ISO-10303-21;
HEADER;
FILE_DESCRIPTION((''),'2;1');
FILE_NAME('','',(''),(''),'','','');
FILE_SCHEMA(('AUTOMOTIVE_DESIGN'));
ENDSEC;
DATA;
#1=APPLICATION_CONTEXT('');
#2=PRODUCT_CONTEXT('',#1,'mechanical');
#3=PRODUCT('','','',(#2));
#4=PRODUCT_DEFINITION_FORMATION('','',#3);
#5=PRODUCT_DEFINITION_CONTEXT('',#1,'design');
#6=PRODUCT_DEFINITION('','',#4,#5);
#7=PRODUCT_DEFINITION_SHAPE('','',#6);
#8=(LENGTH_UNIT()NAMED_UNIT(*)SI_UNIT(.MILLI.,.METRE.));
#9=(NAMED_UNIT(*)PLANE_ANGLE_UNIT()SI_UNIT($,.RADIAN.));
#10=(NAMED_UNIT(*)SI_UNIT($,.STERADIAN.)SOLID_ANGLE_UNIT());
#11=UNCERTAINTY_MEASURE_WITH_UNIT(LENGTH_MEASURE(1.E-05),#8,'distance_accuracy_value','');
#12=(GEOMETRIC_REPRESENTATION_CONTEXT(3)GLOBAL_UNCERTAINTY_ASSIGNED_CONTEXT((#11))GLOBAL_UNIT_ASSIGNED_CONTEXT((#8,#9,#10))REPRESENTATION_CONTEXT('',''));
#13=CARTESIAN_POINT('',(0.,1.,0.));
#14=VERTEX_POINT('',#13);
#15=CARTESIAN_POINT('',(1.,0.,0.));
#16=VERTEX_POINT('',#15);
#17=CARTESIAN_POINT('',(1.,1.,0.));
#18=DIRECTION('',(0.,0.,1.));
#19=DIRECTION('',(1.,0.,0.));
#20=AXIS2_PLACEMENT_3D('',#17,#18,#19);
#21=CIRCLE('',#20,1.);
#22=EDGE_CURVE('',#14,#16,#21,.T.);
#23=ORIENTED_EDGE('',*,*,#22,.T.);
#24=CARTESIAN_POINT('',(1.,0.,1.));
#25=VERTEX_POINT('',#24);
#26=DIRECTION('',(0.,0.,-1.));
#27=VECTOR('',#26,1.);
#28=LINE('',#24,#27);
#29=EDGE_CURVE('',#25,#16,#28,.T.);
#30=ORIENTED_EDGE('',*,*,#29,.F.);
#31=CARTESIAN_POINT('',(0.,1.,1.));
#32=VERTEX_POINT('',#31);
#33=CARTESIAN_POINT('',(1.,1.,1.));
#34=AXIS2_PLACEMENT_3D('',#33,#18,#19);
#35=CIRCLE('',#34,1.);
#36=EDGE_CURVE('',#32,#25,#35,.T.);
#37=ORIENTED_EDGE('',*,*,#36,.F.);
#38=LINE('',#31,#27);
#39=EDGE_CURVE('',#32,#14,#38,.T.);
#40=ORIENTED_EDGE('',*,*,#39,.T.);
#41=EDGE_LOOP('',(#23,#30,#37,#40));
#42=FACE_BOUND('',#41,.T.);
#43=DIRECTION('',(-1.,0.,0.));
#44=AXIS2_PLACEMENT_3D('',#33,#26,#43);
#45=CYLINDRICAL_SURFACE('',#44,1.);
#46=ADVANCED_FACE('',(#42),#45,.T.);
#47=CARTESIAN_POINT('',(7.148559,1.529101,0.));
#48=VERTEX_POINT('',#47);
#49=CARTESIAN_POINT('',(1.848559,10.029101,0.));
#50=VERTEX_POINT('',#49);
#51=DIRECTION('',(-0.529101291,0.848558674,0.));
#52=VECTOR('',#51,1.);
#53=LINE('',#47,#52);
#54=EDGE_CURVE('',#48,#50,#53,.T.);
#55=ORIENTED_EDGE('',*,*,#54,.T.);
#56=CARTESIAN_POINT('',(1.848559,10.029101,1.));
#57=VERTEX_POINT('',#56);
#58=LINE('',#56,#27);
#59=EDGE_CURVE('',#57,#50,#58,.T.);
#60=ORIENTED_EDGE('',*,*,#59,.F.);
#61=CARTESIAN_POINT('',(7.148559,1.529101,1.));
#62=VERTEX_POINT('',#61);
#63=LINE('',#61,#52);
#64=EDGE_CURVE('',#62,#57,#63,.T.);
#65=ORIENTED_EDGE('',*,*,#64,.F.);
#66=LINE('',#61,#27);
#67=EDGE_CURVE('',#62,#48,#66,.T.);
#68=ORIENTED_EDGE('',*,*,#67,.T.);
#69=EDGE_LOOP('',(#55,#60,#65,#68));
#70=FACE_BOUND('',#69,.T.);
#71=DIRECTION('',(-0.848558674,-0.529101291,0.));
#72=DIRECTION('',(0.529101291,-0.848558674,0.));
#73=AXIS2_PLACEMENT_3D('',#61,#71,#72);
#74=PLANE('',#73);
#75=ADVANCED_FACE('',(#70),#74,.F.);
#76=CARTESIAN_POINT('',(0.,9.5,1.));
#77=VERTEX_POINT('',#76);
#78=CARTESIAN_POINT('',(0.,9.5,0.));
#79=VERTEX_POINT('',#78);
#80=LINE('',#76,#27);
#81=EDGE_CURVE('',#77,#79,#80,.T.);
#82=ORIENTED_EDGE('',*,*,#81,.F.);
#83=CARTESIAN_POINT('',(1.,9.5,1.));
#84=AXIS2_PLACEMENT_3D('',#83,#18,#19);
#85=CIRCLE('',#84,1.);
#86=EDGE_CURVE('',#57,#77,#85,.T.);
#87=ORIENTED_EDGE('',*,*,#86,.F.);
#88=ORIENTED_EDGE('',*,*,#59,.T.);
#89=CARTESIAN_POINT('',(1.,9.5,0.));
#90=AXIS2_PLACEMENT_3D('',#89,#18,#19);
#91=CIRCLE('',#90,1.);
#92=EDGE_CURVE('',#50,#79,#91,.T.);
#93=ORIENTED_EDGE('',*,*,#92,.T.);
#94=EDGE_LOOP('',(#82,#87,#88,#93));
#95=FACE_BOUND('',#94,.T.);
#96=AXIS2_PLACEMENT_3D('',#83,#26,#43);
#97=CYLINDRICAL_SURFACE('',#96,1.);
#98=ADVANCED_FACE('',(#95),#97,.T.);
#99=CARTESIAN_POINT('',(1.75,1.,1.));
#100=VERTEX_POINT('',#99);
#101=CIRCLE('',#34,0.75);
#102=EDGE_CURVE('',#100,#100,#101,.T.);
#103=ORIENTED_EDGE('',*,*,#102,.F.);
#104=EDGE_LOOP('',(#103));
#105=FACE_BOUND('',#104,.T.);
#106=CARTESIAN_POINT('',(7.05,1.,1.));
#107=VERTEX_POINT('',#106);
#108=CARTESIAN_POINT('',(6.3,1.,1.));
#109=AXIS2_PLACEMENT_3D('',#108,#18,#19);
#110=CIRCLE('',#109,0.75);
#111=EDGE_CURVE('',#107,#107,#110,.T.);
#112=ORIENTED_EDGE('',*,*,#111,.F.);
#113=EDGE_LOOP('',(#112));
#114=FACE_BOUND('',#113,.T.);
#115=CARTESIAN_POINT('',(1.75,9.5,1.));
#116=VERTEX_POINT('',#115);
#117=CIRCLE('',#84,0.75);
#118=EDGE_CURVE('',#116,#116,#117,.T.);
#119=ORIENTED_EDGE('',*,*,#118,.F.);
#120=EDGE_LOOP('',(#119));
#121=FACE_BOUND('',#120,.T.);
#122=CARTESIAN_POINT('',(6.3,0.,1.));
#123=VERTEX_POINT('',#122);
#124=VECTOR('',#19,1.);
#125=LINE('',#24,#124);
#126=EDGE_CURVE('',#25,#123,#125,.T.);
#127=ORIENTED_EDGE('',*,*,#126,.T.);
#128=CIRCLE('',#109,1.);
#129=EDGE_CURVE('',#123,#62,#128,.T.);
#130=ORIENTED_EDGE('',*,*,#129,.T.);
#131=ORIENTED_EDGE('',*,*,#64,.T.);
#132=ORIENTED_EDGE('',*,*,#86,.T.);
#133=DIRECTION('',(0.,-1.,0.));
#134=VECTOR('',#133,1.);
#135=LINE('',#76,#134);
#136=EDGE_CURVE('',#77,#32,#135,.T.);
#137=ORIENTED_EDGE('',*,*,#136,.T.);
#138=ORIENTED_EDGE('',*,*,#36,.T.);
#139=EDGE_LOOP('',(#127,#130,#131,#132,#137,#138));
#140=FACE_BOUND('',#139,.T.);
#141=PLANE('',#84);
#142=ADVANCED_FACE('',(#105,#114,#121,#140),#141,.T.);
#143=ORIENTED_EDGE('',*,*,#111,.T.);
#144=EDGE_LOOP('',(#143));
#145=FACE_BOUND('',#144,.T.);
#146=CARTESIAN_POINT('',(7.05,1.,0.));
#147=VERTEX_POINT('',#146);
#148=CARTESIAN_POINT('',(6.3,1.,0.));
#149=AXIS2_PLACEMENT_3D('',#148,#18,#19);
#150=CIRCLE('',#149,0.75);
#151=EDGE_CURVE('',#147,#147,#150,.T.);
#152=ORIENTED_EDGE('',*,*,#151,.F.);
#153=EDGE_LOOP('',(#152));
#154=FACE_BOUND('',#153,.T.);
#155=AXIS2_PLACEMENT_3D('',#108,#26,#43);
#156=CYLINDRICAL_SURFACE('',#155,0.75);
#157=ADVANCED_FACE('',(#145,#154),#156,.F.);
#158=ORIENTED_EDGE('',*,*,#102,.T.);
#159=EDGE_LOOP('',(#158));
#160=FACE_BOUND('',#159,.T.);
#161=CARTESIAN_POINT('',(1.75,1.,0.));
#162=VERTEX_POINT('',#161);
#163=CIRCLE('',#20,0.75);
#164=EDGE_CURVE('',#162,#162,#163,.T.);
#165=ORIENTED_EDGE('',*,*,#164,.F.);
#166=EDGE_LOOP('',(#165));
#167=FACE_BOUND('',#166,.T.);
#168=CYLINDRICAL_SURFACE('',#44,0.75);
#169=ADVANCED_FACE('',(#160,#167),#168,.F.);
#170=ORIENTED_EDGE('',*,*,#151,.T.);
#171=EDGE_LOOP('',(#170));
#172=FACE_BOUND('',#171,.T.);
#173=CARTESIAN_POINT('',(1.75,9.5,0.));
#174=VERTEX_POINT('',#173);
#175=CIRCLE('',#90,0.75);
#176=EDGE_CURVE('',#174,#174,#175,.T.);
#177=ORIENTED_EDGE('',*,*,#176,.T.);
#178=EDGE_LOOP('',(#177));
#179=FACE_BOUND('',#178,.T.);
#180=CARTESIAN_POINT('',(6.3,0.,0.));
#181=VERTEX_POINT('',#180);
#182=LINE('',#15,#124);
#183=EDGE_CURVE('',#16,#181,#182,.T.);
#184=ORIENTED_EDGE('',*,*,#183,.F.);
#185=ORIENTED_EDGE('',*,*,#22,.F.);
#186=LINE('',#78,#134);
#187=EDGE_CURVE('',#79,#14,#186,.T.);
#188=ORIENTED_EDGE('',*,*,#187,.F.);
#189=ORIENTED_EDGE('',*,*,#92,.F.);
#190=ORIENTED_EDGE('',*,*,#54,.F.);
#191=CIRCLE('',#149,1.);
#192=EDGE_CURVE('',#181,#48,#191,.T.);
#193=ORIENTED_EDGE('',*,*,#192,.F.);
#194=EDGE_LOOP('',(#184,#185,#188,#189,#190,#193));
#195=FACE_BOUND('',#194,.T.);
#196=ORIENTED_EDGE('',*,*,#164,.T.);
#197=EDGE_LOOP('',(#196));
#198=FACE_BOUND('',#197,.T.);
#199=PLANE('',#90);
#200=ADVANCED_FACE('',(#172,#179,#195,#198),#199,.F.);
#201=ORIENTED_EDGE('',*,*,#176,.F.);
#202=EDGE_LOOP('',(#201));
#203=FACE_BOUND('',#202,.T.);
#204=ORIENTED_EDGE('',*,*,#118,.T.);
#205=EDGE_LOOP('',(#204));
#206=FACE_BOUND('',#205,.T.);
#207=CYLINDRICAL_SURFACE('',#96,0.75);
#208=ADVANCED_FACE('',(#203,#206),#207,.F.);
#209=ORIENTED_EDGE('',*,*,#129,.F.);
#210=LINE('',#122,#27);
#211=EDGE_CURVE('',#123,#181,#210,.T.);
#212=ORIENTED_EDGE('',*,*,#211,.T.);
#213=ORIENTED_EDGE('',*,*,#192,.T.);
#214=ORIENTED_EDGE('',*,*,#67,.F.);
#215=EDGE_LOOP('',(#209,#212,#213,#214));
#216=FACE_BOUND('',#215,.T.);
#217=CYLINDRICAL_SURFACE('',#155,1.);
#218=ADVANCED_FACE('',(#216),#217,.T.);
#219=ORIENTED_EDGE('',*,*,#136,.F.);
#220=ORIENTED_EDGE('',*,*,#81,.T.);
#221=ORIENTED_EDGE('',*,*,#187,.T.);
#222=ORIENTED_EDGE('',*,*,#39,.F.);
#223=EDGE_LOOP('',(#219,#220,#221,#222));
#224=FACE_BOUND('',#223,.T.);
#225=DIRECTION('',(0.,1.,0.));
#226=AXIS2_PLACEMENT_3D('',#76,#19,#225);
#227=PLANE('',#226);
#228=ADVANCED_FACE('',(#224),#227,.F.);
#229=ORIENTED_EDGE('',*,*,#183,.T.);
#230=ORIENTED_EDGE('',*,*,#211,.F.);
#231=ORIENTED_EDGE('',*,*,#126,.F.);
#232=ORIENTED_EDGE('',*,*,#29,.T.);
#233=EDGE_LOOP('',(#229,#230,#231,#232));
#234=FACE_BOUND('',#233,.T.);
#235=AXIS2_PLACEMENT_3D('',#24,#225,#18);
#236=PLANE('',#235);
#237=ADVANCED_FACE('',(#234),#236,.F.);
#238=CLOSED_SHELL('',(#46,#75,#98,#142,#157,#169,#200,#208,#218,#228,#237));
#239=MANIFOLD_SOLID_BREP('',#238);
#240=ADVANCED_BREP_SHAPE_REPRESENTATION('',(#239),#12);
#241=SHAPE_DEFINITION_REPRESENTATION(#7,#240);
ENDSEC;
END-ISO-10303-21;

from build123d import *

# Parameters (mm, degrees)
SKETCH1_R           = 0.75
BOSS_EXTRUDE1_DEPTH = 1


with BuildPart() as part:
    # Sketch1 → Boss-Extrude1 (new body)
    with BuildSketch(Plane.XY):
        with BuildLine():
            Line((0, 9.5), (0, 1))
            ThreePointArc((0, 1), (0.292893219, 0.292893219), (1, 0))
            Line((1, 0), (6.3, 0))
            ThreePointArc((6.3, 0), (7.174385868, 0.514768762), (7.148558674, 1.529101291))
            Line((7.148558674, 1.529101291), (1.848558674, 10.029101291))
            ThreePointArc((1.848558674, 10.029101291), (0.724826123, 10.461394475), (0, 9.5))
        make_face()
        with Locations((1, 1)):
            Circle(SKETCH1_R, mode=Mode.SUBTRACT)
        with Locations((1, 9.5)):
            Circle(SKETCH1_R, mode=Mode.SUBTRACT)
        with Locations((6.3, 1)):
            Circle(SKETCH1_R, mode=Mode.SUBTRACT)
    extrude(amount=BOSS_EXTRUDE1_DEPTH)


solid = part.part
